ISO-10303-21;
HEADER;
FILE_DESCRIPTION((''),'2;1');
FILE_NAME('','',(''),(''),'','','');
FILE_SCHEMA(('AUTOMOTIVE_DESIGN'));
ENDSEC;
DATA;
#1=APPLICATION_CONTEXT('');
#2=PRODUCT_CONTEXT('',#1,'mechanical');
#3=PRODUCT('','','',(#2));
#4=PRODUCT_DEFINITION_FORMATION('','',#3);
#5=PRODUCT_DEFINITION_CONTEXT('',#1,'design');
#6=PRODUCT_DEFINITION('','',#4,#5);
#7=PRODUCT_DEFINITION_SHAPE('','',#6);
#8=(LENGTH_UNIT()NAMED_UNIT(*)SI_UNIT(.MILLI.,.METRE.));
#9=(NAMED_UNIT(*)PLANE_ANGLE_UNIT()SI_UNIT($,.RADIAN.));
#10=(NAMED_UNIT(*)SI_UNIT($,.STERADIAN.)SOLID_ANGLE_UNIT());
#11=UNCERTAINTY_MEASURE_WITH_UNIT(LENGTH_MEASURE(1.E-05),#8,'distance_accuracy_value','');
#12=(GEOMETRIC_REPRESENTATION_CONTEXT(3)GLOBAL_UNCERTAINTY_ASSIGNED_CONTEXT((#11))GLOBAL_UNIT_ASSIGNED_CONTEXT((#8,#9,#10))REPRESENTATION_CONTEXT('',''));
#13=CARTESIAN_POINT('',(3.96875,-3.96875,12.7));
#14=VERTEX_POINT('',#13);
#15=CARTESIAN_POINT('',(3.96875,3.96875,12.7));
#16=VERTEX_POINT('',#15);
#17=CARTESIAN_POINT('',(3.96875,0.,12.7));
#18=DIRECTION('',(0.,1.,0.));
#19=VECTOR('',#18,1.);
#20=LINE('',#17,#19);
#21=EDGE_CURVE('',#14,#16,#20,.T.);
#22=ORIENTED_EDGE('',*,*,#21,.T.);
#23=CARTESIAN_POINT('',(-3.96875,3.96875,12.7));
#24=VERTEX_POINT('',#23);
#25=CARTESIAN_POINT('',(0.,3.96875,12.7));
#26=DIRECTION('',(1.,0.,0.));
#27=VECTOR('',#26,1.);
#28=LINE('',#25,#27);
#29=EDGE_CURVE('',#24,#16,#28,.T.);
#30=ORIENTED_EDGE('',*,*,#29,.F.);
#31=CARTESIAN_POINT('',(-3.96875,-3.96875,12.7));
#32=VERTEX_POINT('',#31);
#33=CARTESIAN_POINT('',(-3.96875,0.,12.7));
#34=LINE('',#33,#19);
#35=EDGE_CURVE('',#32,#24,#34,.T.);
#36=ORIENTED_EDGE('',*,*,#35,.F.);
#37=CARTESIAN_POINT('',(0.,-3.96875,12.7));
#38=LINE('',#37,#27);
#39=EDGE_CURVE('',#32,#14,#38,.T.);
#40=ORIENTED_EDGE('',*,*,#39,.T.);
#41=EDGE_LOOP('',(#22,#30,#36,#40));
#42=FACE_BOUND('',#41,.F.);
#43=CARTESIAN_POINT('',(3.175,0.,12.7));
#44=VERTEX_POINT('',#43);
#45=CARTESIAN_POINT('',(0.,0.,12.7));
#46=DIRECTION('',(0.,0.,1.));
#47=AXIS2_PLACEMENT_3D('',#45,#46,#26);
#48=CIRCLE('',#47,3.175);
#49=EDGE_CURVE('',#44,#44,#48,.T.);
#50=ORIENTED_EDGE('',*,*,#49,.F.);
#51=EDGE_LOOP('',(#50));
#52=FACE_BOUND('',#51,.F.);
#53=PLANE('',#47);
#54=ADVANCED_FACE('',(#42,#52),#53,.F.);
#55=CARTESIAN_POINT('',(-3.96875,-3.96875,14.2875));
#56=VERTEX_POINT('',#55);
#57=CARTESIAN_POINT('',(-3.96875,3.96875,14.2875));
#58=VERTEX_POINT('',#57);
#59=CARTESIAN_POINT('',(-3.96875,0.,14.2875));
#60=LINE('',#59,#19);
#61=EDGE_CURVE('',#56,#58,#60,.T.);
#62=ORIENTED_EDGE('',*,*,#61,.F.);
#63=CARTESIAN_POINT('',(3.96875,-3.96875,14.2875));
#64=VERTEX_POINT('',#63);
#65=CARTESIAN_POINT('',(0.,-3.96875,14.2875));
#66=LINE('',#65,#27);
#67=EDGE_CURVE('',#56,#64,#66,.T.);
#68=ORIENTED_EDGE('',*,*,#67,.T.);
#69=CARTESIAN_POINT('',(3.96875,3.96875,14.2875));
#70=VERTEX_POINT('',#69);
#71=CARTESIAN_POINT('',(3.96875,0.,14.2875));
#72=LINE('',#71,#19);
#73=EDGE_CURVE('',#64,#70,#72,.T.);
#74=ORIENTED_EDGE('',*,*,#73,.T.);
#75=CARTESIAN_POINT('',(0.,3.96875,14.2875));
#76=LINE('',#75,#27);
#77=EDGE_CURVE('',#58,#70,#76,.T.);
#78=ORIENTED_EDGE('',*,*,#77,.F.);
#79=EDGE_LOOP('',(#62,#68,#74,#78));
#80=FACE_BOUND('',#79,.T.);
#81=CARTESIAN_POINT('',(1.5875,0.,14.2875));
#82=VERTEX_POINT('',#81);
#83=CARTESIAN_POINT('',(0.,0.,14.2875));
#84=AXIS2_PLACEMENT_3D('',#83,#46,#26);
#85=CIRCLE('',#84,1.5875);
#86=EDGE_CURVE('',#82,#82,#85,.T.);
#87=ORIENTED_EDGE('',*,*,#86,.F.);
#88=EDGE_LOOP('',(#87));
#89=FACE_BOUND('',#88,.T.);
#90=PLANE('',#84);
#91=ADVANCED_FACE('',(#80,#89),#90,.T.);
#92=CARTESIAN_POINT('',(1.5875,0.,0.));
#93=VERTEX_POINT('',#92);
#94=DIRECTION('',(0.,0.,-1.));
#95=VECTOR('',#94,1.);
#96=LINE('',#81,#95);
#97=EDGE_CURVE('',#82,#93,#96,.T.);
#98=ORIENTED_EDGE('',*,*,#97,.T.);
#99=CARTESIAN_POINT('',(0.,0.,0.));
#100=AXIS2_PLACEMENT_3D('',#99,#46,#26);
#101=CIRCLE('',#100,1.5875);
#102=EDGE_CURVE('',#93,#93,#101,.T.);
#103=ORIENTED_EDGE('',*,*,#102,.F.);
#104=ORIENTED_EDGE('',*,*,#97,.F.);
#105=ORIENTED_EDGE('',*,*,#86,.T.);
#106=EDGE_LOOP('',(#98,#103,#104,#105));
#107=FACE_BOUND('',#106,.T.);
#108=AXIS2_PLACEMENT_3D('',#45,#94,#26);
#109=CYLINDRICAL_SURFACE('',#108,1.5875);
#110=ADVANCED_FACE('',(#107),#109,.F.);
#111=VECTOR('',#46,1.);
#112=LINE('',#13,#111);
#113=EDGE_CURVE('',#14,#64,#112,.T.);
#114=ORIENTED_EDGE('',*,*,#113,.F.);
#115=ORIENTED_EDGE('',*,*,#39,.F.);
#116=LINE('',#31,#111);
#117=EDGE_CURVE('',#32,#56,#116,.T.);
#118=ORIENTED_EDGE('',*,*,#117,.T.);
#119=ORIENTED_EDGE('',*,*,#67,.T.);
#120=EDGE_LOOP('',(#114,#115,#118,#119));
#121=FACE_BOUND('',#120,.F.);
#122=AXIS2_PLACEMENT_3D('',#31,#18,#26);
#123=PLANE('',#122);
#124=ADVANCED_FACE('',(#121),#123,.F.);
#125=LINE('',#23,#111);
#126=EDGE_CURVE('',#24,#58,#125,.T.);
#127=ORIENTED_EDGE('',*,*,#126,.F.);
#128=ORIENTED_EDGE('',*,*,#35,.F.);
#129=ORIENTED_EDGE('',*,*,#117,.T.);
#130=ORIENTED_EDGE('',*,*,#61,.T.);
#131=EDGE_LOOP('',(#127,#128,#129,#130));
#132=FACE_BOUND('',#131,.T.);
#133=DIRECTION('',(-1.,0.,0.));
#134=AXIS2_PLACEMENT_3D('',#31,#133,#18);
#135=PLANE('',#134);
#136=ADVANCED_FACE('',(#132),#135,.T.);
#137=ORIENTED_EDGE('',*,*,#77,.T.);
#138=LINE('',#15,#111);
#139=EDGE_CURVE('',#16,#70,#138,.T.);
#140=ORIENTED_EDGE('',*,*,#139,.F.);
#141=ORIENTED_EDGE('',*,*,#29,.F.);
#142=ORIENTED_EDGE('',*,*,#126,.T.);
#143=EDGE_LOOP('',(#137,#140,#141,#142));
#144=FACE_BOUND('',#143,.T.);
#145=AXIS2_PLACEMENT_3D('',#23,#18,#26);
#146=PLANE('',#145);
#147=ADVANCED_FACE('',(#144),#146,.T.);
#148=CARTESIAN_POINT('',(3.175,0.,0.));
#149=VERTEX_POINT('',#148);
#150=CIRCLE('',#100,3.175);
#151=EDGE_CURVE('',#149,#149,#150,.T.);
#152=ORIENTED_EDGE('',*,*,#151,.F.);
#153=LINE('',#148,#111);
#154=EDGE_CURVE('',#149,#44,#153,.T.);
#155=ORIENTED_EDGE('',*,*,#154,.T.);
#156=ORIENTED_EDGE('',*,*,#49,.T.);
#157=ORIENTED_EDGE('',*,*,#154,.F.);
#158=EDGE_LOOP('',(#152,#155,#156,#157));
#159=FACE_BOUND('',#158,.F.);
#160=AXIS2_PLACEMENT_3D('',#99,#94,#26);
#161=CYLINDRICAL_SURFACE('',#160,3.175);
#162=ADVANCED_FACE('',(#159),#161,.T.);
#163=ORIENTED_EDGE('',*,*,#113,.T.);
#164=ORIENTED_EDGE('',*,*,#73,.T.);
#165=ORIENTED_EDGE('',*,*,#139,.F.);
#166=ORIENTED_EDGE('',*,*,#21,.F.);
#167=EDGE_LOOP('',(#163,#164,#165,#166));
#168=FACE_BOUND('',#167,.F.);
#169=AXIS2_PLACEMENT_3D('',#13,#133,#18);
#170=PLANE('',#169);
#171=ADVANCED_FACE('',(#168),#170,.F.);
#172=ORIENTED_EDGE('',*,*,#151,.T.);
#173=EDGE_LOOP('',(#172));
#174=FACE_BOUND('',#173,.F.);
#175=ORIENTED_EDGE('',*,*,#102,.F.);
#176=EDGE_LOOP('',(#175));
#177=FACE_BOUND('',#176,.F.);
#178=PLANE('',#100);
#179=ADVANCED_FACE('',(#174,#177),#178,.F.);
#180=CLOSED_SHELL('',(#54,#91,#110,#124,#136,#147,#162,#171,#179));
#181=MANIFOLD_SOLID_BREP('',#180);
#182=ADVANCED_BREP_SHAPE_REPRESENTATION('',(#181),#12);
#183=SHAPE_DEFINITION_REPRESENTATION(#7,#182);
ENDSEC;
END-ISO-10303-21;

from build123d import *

# Parameters (mm, degrees)
F0_R     = 3.175
F0_R_2   = 1.5875
F1_DEPTH = 12.7
F2_W     = 7.9375
F2_H     = 7.9375
F2_R     = 1.5875
F3_DEPTH = 1.5875


with BuildPart() as f1:
    # F0 (on Top) → F1 (new body)
    with BuildSketch(Plane.XY):
        Circle(F0_R)
        Circle(F0_R_2, mode=Mode.SUBTRACT)
    extrude(amount=F1_DEPTH)

    # F2 (on face) → F3 (join)
    with BuildSketch(Plane.XY.offset(12.7)):
        Rectangle(F2_W, F2_H)
        Circle(F2_R, mode=Mode.SUBTRACT)
    extrude(amount=F3_DEPTH)


solid = f1.part
